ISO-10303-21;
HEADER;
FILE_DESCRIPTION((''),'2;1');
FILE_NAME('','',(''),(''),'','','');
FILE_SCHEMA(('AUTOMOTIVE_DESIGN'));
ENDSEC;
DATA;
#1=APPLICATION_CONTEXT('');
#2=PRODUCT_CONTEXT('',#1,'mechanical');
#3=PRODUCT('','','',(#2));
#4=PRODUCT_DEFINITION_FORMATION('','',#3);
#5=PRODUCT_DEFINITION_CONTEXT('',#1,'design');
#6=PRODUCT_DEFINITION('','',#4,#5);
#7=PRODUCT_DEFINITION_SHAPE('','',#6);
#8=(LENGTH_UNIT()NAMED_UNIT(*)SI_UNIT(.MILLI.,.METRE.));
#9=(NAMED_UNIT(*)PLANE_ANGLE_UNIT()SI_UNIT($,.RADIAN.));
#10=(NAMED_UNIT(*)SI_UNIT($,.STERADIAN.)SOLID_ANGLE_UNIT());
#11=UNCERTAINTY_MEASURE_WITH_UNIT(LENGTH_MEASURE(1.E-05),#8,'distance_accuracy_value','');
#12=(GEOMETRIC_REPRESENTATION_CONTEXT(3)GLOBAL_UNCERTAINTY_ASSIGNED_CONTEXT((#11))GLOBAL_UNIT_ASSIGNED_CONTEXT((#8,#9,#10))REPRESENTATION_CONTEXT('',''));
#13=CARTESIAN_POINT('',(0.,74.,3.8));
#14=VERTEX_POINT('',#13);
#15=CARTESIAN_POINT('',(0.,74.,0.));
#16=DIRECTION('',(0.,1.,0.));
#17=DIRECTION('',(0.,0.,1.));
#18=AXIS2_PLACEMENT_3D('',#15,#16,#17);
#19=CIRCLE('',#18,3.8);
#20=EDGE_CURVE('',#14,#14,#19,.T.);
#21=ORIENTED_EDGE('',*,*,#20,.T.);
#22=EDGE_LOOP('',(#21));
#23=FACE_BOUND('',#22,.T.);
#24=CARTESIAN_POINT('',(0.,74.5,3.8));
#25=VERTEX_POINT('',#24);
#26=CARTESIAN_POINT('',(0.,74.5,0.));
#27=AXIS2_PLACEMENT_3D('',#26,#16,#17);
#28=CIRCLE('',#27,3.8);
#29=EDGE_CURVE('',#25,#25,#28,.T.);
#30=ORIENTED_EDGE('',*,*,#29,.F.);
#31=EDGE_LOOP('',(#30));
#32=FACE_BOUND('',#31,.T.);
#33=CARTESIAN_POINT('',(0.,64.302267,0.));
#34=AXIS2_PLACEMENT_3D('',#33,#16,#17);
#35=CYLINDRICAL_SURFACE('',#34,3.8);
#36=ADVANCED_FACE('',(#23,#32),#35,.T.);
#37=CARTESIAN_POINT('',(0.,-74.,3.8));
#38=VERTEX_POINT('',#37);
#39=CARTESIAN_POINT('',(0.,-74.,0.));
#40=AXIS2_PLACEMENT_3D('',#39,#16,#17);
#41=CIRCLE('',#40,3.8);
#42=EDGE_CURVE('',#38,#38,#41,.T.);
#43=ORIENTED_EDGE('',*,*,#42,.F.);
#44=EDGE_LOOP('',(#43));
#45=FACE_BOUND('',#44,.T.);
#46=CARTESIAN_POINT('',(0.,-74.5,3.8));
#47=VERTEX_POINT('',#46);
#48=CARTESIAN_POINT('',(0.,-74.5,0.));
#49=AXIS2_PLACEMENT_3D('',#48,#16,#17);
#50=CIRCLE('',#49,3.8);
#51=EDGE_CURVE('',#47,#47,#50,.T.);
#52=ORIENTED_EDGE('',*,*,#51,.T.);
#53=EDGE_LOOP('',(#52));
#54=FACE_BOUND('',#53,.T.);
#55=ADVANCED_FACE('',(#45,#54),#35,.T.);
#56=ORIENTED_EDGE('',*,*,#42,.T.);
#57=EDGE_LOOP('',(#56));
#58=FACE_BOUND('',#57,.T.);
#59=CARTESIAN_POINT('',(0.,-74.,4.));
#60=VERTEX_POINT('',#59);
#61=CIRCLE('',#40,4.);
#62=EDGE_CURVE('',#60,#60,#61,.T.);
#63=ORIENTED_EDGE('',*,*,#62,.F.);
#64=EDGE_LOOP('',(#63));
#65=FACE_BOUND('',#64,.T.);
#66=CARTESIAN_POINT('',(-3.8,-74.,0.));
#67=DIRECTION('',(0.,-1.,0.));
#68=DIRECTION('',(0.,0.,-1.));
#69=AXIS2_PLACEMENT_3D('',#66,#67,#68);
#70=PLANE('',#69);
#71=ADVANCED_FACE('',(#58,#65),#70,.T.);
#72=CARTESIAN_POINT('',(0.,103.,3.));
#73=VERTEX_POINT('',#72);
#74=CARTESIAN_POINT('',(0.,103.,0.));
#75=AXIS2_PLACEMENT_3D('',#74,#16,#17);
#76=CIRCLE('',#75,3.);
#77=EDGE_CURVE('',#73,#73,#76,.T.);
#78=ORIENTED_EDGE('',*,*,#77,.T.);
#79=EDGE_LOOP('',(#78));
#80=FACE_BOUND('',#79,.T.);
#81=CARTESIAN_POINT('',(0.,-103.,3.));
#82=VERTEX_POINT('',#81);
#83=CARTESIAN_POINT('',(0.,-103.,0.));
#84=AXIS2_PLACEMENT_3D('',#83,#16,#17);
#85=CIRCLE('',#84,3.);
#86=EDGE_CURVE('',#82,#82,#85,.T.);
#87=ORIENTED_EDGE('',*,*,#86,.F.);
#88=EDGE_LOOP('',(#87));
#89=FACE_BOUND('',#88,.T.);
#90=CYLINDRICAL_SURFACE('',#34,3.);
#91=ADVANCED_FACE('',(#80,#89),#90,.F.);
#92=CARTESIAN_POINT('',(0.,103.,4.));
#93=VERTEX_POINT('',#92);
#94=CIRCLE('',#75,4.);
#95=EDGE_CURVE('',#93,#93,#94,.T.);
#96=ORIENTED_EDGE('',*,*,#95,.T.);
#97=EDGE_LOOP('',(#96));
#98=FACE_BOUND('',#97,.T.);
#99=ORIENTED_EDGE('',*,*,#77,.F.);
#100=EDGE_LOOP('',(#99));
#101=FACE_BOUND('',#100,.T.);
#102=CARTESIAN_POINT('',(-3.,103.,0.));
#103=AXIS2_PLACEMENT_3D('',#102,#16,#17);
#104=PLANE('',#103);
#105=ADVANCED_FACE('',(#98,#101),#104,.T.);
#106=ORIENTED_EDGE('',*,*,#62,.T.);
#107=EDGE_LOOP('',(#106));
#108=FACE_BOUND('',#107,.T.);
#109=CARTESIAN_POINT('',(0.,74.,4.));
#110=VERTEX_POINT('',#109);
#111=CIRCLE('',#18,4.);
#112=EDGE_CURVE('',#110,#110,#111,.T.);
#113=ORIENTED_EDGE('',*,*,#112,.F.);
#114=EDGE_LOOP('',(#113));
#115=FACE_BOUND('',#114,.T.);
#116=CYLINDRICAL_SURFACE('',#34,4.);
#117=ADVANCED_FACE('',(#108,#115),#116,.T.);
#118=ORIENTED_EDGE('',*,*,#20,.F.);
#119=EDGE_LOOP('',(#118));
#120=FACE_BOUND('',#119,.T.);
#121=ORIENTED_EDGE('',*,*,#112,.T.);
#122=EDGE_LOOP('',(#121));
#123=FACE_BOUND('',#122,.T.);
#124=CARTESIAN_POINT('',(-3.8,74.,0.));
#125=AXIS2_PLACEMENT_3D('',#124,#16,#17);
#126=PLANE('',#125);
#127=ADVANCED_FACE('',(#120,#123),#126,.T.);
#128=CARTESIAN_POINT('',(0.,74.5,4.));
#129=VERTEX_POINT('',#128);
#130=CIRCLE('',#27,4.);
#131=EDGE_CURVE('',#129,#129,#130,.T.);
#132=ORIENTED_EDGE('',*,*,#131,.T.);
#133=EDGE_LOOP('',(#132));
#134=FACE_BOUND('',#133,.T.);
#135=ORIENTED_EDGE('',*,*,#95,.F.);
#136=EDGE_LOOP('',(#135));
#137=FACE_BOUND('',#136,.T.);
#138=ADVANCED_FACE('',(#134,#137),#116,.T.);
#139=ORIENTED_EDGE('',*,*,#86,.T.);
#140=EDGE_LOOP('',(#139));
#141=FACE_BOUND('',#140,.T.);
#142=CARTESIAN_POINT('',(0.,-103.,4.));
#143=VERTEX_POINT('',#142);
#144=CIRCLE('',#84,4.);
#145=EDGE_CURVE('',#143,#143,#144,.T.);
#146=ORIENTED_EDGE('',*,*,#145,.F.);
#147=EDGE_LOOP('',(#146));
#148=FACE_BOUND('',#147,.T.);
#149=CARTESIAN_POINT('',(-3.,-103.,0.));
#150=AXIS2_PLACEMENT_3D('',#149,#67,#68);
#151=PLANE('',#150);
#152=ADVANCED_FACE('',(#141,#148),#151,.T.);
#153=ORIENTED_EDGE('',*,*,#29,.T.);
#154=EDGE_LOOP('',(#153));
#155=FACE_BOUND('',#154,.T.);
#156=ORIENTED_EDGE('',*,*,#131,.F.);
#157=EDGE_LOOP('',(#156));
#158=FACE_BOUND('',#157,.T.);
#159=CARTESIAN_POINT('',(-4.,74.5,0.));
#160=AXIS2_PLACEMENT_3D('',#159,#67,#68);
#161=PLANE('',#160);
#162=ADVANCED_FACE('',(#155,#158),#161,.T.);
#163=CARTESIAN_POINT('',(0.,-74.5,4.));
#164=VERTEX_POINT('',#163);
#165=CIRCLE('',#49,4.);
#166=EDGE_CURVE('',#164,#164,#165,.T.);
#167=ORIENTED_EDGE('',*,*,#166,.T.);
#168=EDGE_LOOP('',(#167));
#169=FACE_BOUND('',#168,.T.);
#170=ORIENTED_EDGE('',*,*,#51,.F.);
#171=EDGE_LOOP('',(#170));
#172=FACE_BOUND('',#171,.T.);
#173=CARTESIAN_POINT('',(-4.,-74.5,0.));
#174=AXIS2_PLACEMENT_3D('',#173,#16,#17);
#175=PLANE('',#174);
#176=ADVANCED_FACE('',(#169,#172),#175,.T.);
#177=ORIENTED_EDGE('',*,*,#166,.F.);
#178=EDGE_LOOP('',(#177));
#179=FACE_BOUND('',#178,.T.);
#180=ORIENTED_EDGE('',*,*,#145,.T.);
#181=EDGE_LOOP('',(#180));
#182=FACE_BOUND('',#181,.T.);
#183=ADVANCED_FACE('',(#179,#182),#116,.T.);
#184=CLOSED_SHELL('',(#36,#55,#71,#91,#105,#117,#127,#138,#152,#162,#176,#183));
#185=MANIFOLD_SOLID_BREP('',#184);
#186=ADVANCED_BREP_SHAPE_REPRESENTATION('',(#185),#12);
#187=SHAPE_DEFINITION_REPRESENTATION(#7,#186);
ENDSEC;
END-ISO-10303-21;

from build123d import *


with BuildPart() as part:
    # Sketch1 → Revolve2 (revolve)
    with BuildSketch(Plane.XY, mode=Mode.PRIVATE) as revolve2_sk:
        Polygon((-3, 103), (-4, 103), (-4, 74.5), (-3.8, 74.5), (-3.8, 74), (-4, 74), (-4, -74), (-3.8, -74), (-3.8, -74.5), (-4, -74.5), (-4, -103), (-3, -103), align=None)
    revolve(revolve2_sk.sketch.rotate(Axis((0, 64.302267184, 0), (0, -1, 0)), 270), axis=Axis((0, 64.302267184, 0), (0, -1, 0)))


solid = part.part
